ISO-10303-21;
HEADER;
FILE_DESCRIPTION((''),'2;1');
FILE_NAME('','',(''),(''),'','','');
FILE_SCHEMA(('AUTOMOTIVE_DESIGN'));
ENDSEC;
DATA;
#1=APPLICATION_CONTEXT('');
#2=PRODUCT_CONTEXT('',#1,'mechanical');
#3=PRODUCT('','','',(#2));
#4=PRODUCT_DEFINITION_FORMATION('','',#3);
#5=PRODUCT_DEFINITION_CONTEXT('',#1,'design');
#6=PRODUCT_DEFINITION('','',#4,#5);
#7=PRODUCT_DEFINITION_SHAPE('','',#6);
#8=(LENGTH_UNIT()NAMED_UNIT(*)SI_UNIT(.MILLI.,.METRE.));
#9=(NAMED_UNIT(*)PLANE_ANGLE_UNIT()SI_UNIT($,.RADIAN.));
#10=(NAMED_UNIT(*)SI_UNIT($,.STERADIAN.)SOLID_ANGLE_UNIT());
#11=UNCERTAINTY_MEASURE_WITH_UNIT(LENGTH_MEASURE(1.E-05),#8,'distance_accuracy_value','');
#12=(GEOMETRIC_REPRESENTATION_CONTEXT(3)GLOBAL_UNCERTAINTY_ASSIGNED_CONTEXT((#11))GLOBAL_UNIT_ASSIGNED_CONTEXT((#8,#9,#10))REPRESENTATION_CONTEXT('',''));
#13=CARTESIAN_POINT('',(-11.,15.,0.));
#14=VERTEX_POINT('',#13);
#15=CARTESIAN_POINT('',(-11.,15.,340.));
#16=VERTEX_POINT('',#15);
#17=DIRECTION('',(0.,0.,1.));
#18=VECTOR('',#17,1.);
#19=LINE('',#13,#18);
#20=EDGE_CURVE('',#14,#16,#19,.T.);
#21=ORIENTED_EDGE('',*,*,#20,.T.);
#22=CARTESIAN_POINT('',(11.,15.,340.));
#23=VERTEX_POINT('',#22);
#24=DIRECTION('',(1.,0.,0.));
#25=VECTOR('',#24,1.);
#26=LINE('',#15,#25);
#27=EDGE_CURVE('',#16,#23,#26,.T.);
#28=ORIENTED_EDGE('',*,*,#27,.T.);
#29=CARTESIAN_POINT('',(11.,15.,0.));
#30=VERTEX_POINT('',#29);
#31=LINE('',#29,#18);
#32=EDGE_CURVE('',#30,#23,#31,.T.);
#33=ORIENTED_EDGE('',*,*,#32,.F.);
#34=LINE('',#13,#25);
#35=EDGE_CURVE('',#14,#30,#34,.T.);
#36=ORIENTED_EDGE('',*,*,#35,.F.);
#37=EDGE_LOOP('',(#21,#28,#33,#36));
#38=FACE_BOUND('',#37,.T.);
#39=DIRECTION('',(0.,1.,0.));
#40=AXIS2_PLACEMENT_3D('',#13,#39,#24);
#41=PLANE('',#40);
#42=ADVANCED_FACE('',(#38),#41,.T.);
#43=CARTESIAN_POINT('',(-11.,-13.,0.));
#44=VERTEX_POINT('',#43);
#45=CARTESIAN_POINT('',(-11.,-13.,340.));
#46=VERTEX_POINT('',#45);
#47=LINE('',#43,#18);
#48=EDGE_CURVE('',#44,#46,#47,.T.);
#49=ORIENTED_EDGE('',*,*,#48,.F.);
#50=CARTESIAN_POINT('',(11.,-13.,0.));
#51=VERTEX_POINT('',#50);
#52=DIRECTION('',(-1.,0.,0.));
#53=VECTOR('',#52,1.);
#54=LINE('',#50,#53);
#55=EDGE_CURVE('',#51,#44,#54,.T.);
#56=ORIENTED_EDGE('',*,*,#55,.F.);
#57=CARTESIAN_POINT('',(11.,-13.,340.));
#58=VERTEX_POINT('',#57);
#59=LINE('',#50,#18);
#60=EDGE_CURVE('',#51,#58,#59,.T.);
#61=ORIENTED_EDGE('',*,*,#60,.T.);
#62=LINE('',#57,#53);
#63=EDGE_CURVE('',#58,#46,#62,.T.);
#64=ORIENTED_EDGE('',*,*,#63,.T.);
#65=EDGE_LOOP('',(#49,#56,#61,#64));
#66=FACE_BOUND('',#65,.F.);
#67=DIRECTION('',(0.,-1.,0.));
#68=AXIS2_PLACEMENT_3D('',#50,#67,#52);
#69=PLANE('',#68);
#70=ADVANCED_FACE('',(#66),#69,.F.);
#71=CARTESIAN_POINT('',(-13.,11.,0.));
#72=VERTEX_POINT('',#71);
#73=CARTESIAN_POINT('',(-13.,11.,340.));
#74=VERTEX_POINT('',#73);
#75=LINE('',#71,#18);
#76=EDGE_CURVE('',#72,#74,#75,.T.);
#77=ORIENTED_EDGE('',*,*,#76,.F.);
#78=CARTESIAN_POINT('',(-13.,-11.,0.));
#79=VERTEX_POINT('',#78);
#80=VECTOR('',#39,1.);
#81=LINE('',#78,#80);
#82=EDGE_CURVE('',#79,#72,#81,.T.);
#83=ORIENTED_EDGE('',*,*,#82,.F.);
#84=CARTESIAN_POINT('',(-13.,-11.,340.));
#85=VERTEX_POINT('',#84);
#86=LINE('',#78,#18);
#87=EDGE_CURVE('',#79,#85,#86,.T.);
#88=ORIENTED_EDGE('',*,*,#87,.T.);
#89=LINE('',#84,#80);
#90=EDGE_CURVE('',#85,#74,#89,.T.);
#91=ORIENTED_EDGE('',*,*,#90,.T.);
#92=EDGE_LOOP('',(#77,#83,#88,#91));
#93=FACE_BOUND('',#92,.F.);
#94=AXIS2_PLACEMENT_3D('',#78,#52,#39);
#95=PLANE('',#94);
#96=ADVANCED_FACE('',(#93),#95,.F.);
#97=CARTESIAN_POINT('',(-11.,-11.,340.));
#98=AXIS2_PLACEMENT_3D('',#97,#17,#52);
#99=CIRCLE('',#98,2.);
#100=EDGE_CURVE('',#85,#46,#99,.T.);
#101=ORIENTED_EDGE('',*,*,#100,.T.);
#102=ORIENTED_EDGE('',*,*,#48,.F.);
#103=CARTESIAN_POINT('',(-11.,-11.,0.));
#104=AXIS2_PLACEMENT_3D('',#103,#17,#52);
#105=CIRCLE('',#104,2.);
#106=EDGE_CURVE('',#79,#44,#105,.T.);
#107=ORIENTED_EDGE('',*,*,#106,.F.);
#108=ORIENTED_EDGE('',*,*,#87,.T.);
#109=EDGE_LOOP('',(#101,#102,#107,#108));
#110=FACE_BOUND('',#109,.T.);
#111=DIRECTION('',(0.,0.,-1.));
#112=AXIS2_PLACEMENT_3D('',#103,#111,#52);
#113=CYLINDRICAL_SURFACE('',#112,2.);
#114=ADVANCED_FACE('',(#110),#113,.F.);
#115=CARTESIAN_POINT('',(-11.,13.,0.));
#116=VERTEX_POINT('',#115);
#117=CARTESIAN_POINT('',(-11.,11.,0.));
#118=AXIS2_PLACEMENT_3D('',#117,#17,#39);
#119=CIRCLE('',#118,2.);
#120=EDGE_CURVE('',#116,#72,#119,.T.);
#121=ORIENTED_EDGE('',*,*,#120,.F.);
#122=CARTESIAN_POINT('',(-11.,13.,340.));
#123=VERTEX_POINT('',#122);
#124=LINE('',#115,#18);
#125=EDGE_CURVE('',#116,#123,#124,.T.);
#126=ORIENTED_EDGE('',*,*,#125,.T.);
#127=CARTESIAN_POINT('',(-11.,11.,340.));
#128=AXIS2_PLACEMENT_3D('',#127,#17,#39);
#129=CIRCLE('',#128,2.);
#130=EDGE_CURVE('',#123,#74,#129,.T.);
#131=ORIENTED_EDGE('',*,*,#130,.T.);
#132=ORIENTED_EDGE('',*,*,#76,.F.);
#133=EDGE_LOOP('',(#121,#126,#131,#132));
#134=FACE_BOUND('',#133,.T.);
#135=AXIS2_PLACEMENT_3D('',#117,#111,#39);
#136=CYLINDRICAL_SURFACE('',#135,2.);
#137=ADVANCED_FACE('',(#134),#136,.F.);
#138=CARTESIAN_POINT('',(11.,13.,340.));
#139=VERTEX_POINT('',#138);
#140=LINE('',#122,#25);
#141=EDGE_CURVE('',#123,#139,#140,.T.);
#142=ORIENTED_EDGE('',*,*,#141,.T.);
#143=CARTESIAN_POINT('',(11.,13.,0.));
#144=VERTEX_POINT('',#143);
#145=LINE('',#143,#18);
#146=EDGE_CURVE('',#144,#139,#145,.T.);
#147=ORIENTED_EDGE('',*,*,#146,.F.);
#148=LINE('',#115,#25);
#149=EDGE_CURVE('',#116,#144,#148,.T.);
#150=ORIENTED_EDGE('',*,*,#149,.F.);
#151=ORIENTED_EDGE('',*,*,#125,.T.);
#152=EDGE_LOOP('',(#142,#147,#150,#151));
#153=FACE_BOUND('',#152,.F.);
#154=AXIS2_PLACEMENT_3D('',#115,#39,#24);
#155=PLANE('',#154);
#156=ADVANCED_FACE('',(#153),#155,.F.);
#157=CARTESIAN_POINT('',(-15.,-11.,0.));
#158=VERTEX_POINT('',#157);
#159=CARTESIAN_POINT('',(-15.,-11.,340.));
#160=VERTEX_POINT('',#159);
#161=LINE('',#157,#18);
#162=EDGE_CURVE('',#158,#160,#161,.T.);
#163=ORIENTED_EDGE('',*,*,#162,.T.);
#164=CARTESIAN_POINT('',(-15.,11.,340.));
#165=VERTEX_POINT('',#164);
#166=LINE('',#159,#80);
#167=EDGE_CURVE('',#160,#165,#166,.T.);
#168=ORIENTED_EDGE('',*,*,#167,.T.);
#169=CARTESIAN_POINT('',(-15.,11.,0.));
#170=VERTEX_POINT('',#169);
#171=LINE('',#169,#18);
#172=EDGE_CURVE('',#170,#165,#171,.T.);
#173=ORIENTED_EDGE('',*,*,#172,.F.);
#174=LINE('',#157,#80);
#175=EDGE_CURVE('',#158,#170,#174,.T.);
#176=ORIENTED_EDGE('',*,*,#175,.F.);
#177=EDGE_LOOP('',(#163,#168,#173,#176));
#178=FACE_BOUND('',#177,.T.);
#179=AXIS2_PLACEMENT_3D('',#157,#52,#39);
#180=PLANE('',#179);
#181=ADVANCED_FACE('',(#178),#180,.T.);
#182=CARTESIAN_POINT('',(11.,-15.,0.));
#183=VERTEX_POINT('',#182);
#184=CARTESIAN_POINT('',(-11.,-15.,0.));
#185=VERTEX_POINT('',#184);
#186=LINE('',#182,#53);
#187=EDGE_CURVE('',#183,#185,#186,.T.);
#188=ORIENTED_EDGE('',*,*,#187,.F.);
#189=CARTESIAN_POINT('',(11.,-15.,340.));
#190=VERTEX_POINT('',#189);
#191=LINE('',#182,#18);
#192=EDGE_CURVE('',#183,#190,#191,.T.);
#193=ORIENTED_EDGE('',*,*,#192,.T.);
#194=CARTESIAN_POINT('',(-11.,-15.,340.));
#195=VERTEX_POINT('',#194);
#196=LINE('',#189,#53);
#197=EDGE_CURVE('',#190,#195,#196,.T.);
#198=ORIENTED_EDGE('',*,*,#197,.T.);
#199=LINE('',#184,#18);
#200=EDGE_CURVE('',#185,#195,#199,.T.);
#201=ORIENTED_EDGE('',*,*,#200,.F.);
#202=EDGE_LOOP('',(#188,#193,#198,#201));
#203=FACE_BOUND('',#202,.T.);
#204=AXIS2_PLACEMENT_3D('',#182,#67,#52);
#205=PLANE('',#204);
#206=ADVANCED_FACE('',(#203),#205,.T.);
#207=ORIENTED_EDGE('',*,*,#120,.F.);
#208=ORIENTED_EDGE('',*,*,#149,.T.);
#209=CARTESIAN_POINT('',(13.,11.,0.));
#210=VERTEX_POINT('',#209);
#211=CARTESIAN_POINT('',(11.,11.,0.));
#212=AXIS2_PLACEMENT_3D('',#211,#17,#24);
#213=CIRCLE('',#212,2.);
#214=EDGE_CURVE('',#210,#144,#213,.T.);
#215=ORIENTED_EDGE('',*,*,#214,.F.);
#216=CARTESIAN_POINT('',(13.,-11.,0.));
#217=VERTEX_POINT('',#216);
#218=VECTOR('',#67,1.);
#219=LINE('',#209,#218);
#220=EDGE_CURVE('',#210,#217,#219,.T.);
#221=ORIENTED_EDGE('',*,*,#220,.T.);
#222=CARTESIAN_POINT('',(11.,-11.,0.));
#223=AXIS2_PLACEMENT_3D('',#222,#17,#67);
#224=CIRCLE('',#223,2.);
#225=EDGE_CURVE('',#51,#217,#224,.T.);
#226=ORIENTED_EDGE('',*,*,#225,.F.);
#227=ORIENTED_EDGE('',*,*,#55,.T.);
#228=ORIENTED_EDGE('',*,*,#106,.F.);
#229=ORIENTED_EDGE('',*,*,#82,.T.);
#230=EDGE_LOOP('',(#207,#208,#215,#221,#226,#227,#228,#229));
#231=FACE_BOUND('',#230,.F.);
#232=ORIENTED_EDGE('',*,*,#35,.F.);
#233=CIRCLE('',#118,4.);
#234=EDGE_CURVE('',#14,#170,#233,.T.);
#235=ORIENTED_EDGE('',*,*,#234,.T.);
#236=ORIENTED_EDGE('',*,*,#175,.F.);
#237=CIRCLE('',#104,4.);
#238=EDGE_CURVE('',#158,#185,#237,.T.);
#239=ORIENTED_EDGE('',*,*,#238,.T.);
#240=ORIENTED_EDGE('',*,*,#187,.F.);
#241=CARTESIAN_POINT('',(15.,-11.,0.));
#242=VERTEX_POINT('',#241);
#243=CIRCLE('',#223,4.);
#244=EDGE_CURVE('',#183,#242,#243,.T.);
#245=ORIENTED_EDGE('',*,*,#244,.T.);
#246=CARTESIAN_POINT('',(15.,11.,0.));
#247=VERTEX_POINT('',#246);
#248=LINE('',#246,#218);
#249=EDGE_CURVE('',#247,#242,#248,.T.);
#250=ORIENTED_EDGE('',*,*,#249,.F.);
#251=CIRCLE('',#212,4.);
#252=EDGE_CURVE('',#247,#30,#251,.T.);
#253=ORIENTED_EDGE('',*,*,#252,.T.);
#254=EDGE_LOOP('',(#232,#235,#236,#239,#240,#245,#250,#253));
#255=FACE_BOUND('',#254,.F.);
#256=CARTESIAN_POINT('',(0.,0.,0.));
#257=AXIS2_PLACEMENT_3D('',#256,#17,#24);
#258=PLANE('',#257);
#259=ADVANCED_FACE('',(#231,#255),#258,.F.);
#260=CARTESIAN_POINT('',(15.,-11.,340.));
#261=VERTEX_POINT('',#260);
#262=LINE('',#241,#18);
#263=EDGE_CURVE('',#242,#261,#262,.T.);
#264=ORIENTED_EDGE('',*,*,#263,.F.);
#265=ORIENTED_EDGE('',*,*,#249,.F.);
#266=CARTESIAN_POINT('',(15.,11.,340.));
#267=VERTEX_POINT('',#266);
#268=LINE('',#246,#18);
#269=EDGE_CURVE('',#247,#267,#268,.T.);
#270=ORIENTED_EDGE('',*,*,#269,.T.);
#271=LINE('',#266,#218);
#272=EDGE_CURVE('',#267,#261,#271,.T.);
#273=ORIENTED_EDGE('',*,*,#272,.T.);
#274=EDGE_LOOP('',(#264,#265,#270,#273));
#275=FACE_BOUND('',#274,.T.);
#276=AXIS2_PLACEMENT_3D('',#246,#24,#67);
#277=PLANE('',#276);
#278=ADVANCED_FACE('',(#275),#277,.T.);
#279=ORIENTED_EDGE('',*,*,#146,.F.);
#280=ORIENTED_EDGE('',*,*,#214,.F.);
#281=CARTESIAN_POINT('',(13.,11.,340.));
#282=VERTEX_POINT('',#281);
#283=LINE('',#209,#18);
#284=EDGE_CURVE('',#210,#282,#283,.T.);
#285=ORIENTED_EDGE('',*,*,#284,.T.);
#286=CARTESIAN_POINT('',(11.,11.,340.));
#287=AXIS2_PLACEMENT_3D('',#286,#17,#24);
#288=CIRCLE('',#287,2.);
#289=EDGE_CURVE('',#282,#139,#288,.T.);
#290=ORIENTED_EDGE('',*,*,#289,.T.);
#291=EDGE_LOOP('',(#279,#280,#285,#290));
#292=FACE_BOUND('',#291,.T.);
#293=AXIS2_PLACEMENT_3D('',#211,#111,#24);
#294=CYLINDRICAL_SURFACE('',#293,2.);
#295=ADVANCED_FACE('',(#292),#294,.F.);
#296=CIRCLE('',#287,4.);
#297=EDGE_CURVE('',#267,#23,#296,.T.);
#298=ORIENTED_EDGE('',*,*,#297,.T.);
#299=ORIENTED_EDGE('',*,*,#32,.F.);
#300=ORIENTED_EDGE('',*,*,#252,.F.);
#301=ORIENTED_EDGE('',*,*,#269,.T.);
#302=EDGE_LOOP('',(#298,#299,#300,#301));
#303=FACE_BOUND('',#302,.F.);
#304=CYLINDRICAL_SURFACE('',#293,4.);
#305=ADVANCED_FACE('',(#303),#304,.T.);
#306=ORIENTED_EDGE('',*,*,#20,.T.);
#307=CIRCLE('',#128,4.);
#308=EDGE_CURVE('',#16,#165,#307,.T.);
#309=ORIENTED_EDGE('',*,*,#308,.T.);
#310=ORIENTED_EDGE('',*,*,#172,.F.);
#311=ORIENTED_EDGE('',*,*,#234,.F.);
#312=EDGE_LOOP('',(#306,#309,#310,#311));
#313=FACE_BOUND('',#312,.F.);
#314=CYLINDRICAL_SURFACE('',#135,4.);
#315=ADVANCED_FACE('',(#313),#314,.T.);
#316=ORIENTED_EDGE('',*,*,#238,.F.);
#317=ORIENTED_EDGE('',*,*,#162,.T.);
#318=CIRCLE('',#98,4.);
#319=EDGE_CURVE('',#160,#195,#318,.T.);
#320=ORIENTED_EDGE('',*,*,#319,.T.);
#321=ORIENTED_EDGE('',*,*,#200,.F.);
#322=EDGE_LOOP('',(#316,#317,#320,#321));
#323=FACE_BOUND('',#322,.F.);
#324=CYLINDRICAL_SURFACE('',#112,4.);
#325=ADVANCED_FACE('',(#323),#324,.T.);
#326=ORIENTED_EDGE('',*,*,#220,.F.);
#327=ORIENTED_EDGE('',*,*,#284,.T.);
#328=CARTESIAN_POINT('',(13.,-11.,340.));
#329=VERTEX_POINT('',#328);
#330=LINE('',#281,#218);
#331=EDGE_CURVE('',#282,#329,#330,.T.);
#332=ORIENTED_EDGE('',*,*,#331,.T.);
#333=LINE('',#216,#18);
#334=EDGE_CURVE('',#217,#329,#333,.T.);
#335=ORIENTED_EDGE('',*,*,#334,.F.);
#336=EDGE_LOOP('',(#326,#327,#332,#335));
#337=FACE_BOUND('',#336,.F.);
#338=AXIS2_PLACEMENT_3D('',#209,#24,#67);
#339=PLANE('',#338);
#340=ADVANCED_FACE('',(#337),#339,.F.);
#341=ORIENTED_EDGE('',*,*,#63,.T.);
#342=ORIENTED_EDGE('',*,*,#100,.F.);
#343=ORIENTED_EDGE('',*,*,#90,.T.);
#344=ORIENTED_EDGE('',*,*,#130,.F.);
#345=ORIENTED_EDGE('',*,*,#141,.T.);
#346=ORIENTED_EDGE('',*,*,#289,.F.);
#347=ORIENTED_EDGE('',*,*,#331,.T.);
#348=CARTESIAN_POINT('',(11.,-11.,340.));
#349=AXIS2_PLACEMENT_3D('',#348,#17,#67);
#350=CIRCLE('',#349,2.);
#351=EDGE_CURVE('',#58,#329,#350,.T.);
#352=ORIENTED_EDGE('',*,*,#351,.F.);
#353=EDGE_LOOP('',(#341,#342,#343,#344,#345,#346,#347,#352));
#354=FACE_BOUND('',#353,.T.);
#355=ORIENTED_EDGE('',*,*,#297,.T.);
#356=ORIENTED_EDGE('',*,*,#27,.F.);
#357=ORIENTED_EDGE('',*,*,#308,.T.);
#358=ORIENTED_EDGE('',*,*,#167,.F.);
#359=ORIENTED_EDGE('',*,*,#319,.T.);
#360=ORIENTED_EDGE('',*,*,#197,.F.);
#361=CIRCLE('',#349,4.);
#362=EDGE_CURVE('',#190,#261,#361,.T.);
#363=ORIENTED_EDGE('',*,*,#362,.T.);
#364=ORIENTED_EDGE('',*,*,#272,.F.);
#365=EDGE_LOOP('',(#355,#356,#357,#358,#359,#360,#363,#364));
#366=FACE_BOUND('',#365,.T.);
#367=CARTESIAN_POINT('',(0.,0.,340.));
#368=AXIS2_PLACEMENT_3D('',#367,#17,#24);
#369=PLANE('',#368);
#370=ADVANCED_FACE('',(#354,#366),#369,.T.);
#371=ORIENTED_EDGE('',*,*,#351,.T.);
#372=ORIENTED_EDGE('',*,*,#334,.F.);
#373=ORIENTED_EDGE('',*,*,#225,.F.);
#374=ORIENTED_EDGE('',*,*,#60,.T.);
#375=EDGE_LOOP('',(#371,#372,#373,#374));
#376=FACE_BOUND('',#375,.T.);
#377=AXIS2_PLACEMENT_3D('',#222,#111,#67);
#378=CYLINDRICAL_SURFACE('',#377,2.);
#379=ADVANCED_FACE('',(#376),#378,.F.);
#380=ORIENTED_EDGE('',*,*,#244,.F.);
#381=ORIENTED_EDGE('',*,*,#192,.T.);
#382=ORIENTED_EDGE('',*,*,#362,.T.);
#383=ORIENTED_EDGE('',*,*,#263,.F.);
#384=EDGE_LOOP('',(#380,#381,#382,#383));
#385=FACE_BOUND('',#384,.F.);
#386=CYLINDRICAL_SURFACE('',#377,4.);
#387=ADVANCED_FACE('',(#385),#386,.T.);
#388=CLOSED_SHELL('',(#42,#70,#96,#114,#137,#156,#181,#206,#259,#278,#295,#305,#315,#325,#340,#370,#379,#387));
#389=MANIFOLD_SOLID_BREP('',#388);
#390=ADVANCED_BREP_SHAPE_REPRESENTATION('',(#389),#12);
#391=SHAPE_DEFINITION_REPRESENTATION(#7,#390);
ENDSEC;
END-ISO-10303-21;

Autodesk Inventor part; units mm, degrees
ref_plane "YZ Plane" through (0, 0, 0) normal (1, 0, 0) x (0, 1, 0)
ref_plane "Plan de départ" through (0, 0, 0) normal (0, 0, 1) x (1, 0, 0)
ref_plane "Plan de fin" through (0, 0, 340) normal (0, 0, 1) x (1, 0, 0)
sketch "Esquisse" plane through (0, 0, 0) normal (0, 0, 1) x (1, 0, 0)
  line L0 (-15, -11) -> (-15, 11)
  line L1 (-11, 15) -> (11, 15)
  line L2 (15, 11) -> (15, -11)
  line L3 (11, -15) -> (-11, -15)
  arc A0 (-15, -11) -> (-11, -15) centre (-11, -11) ccw
  arc A1 (15, 11) -> (11, 15) centre (11, 11) ccw
  arc A2 (-11, 15) -> (-15, 11) centre (-11, 11) ccw
  arc A3 (11, -15) -> (15, -11) centre (11, -11) ccw
  arc A4 (-11, 13) -> (-13, 11) centre (-11, 11) ccw
  line L4 (-11, 13) -> (11, 13)
  arc A5 (13, 11) -> (11, 13) centre (11, 11) ccw
  line L5 (13, 11) -> (13, -11)
  arc A6 (11, -13) -> (13, -11) centre (11, -11) ccw
  line L6 (11, -13) -> (-11, -13)
  arc A7 (-13, -11) -> (-11, -13) centre (-11, -11) ccw
  line L7 (-13, -11) -> (-13, 11)
  line L8 (0, 22.1598) -> (0, -22.1598) construction
  line L9 (-22.1598, 0) -> (22.1598, 0) construction
  dimension "d7" = 4
  dimension "d9" = 30
  dimension "d11" = 30
  dimension "d12" = 2
  dimension "d15" = 15
  dimension "d16" = 15
extrude "Corps" add sketch "Esquisse" along normal up to surface (340 mm away) from surface at 0
sketch "Sketch3" plane through (0, 0, 0) normal (0, 0, 1) x (1, 0, 0)
  line L0 (0, 0) -> (10, 0)
ref_plane "Work Plane3" through (0, 0, 0) normal (0, -1, 0) x (1, 0, 0)
sketch "Sketch4" plane through (0, 0, 0) normal (0, -1, 0) x (1, 0, 0)
  line L0 (-2, 0) -> (12, 0) projected
  line L1 (-2, 340) -> (12, 340) projected
  dimension "d18" = 340
equation "\"d7\" = G_IR"
equation "\"d9\" = G_W"
equation "\"d11\" = G_H"
equation "\"d12\" = G_T"
equation "\"d15\" = 0.5 * d9"
equation "\"d16\" = 0.5 * d11"
equation "\"d3\" = G_L"
equation "\"G_W\" = 30"
equation "\"G_H\" = 30"
equation "\"G_T\" = 2"
equation "\"G_IR\" = 4"
equation "\"G_L\" = d18"
equation "\"G_OFFSET_START\" = 0"
equation "\"G_OFFSET_END\" = 0"
properties part number "ISO 10799-2 - 30x30x2 - 340" material "Acier, doux"
